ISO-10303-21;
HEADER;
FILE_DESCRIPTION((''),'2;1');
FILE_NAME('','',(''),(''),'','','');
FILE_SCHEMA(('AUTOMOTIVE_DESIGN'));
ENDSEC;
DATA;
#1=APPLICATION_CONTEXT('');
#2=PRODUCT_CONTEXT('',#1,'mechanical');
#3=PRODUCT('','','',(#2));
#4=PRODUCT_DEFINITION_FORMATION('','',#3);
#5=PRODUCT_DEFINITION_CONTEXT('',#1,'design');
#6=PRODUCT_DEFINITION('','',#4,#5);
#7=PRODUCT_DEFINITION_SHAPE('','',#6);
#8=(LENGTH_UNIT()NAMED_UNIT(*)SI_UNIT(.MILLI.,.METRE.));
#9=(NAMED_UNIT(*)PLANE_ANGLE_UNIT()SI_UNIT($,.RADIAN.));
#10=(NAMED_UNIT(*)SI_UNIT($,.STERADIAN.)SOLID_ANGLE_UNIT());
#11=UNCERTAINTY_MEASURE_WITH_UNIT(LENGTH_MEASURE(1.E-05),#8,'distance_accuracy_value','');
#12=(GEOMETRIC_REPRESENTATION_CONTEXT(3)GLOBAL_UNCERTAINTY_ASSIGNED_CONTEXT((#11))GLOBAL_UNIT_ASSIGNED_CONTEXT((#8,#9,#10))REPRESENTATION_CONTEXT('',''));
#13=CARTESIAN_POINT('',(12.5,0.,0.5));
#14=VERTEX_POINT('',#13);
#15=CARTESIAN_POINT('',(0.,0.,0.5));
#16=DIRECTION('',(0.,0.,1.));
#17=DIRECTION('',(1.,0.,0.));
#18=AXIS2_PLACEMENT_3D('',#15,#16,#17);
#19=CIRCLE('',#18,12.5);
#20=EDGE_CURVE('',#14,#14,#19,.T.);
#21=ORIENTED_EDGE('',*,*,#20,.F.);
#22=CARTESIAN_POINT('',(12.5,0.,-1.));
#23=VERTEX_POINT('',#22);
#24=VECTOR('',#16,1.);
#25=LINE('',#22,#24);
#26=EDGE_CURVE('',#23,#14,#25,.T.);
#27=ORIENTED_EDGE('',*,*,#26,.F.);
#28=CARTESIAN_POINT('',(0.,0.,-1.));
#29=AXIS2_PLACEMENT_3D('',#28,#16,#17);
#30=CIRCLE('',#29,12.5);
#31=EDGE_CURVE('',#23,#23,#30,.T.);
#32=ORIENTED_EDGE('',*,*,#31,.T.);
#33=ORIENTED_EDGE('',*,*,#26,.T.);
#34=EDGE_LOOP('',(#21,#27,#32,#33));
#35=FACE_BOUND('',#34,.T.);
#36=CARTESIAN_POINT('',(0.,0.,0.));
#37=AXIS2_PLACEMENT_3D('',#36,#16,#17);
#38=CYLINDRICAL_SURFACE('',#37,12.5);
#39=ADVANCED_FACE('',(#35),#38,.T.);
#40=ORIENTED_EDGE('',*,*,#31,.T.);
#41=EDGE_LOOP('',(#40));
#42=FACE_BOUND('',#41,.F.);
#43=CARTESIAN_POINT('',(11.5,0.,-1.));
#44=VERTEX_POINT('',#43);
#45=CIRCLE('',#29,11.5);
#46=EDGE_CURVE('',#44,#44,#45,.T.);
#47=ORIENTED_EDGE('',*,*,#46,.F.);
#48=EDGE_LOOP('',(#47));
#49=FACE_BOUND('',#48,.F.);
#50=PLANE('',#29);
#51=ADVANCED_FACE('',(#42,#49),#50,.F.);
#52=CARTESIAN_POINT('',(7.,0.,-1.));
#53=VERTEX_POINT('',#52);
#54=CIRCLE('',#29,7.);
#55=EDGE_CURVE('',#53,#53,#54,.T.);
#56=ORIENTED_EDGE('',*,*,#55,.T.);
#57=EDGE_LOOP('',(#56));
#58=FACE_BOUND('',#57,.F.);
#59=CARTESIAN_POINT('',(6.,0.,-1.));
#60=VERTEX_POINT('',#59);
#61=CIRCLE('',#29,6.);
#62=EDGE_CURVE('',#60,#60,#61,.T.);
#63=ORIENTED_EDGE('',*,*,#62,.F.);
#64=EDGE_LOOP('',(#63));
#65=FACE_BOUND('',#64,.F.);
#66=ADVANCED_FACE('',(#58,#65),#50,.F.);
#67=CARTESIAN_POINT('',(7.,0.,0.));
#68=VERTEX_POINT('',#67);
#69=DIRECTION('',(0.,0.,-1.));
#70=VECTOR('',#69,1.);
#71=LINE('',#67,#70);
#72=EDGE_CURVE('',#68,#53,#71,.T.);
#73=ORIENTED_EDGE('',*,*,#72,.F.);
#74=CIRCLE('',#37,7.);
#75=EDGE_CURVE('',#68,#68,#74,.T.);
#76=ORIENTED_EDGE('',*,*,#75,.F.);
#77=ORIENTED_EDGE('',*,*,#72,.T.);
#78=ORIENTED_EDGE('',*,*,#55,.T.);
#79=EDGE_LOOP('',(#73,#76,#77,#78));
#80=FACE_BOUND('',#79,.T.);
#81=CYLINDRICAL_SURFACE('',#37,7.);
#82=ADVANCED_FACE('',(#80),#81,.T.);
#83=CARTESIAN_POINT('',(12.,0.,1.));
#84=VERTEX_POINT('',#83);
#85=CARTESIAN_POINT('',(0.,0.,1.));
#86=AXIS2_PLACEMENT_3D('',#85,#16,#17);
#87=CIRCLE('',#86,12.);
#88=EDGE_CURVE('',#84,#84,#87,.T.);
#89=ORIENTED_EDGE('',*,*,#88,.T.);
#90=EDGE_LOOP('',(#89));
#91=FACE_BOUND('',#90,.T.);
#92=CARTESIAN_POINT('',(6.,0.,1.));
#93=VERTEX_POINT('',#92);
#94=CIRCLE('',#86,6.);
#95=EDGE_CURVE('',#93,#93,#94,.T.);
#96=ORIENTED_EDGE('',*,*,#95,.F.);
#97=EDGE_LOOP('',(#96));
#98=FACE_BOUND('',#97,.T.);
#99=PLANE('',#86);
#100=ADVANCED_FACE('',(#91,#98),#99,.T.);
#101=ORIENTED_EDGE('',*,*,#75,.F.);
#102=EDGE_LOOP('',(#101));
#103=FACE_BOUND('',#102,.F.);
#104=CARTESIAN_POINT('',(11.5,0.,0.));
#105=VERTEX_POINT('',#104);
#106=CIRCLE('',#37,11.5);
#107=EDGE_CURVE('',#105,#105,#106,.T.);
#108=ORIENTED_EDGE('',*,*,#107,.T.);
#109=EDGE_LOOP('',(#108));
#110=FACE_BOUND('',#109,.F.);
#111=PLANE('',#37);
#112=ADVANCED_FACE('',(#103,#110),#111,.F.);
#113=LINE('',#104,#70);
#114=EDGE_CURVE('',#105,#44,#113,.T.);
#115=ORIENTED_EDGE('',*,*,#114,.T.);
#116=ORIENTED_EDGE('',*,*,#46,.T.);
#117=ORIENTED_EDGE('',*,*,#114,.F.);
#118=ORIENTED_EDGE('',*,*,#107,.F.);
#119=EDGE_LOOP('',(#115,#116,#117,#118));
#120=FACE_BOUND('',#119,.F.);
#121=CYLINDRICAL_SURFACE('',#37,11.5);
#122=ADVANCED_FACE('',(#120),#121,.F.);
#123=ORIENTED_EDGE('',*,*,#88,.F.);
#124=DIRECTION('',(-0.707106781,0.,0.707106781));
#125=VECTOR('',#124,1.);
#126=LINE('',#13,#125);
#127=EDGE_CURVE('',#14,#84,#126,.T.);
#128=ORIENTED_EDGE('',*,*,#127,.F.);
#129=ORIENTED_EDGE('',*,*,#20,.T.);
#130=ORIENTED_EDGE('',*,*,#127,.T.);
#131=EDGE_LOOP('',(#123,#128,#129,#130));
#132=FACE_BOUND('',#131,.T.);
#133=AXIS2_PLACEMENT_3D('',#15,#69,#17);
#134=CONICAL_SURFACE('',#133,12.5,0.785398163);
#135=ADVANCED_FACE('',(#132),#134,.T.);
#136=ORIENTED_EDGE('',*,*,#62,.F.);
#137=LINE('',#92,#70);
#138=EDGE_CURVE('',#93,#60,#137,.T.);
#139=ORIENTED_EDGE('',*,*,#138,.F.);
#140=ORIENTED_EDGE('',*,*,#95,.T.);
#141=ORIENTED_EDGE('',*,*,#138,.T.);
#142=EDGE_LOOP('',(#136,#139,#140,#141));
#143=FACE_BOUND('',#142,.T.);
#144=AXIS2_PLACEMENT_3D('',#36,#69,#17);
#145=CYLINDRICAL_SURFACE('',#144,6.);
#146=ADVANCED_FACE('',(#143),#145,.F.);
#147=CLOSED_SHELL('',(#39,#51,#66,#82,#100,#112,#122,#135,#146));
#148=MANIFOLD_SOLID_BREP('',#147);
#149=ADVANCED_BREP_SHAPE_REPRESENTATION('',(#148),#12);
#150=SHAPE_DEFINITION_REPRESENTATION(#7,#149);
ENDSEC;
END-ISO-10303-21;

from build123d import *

# Parameters (mm, degrees)
F0_R     = 12.5
F0_R_2   = 11.5
F0_R_3   = 7
F0_R_4   = 6
F1_DEPTH = 1
F2_DEPTH = 1
F3_SIZE  = 0.5


with BuildPart() as f1:
    # F0 (on Top) → F1 (new body)
    with BuildSketch(Plane.XY):
        Circle(F0_R)
        Circle(F0_R_2, mode=Mode.SUBTRACT)
        Circle(F0_R_2)
        Circle(F0_R_3, mode=Mode.SUBTRACT)
        Circle(F0_R_3)
        Circle(F0_R_4, mode=Mode.SUBTRACT)
    extrude(amount=F1_DEPTH)

    # F0 (on Top) → F2 (join)
    with BuildSketch(Plane.XY):
        Circle(F0_R)
        Circle(F0_R_2, mode=Mode.SUBTRACT)
        Circle(F0_R_3)
        Circle(F0_R_4, mode=Mode.SUBTRACT)
    extrude(amount=-F2_DEPTH)

    # F3
    f3_edges = [f1.edges().sort_by_distance(p)[0] for p in [
        (-12.5, 0, 1),
    ]]
    chamfer(f3_edges, length=F3_SIZE)


solid = f1.part
